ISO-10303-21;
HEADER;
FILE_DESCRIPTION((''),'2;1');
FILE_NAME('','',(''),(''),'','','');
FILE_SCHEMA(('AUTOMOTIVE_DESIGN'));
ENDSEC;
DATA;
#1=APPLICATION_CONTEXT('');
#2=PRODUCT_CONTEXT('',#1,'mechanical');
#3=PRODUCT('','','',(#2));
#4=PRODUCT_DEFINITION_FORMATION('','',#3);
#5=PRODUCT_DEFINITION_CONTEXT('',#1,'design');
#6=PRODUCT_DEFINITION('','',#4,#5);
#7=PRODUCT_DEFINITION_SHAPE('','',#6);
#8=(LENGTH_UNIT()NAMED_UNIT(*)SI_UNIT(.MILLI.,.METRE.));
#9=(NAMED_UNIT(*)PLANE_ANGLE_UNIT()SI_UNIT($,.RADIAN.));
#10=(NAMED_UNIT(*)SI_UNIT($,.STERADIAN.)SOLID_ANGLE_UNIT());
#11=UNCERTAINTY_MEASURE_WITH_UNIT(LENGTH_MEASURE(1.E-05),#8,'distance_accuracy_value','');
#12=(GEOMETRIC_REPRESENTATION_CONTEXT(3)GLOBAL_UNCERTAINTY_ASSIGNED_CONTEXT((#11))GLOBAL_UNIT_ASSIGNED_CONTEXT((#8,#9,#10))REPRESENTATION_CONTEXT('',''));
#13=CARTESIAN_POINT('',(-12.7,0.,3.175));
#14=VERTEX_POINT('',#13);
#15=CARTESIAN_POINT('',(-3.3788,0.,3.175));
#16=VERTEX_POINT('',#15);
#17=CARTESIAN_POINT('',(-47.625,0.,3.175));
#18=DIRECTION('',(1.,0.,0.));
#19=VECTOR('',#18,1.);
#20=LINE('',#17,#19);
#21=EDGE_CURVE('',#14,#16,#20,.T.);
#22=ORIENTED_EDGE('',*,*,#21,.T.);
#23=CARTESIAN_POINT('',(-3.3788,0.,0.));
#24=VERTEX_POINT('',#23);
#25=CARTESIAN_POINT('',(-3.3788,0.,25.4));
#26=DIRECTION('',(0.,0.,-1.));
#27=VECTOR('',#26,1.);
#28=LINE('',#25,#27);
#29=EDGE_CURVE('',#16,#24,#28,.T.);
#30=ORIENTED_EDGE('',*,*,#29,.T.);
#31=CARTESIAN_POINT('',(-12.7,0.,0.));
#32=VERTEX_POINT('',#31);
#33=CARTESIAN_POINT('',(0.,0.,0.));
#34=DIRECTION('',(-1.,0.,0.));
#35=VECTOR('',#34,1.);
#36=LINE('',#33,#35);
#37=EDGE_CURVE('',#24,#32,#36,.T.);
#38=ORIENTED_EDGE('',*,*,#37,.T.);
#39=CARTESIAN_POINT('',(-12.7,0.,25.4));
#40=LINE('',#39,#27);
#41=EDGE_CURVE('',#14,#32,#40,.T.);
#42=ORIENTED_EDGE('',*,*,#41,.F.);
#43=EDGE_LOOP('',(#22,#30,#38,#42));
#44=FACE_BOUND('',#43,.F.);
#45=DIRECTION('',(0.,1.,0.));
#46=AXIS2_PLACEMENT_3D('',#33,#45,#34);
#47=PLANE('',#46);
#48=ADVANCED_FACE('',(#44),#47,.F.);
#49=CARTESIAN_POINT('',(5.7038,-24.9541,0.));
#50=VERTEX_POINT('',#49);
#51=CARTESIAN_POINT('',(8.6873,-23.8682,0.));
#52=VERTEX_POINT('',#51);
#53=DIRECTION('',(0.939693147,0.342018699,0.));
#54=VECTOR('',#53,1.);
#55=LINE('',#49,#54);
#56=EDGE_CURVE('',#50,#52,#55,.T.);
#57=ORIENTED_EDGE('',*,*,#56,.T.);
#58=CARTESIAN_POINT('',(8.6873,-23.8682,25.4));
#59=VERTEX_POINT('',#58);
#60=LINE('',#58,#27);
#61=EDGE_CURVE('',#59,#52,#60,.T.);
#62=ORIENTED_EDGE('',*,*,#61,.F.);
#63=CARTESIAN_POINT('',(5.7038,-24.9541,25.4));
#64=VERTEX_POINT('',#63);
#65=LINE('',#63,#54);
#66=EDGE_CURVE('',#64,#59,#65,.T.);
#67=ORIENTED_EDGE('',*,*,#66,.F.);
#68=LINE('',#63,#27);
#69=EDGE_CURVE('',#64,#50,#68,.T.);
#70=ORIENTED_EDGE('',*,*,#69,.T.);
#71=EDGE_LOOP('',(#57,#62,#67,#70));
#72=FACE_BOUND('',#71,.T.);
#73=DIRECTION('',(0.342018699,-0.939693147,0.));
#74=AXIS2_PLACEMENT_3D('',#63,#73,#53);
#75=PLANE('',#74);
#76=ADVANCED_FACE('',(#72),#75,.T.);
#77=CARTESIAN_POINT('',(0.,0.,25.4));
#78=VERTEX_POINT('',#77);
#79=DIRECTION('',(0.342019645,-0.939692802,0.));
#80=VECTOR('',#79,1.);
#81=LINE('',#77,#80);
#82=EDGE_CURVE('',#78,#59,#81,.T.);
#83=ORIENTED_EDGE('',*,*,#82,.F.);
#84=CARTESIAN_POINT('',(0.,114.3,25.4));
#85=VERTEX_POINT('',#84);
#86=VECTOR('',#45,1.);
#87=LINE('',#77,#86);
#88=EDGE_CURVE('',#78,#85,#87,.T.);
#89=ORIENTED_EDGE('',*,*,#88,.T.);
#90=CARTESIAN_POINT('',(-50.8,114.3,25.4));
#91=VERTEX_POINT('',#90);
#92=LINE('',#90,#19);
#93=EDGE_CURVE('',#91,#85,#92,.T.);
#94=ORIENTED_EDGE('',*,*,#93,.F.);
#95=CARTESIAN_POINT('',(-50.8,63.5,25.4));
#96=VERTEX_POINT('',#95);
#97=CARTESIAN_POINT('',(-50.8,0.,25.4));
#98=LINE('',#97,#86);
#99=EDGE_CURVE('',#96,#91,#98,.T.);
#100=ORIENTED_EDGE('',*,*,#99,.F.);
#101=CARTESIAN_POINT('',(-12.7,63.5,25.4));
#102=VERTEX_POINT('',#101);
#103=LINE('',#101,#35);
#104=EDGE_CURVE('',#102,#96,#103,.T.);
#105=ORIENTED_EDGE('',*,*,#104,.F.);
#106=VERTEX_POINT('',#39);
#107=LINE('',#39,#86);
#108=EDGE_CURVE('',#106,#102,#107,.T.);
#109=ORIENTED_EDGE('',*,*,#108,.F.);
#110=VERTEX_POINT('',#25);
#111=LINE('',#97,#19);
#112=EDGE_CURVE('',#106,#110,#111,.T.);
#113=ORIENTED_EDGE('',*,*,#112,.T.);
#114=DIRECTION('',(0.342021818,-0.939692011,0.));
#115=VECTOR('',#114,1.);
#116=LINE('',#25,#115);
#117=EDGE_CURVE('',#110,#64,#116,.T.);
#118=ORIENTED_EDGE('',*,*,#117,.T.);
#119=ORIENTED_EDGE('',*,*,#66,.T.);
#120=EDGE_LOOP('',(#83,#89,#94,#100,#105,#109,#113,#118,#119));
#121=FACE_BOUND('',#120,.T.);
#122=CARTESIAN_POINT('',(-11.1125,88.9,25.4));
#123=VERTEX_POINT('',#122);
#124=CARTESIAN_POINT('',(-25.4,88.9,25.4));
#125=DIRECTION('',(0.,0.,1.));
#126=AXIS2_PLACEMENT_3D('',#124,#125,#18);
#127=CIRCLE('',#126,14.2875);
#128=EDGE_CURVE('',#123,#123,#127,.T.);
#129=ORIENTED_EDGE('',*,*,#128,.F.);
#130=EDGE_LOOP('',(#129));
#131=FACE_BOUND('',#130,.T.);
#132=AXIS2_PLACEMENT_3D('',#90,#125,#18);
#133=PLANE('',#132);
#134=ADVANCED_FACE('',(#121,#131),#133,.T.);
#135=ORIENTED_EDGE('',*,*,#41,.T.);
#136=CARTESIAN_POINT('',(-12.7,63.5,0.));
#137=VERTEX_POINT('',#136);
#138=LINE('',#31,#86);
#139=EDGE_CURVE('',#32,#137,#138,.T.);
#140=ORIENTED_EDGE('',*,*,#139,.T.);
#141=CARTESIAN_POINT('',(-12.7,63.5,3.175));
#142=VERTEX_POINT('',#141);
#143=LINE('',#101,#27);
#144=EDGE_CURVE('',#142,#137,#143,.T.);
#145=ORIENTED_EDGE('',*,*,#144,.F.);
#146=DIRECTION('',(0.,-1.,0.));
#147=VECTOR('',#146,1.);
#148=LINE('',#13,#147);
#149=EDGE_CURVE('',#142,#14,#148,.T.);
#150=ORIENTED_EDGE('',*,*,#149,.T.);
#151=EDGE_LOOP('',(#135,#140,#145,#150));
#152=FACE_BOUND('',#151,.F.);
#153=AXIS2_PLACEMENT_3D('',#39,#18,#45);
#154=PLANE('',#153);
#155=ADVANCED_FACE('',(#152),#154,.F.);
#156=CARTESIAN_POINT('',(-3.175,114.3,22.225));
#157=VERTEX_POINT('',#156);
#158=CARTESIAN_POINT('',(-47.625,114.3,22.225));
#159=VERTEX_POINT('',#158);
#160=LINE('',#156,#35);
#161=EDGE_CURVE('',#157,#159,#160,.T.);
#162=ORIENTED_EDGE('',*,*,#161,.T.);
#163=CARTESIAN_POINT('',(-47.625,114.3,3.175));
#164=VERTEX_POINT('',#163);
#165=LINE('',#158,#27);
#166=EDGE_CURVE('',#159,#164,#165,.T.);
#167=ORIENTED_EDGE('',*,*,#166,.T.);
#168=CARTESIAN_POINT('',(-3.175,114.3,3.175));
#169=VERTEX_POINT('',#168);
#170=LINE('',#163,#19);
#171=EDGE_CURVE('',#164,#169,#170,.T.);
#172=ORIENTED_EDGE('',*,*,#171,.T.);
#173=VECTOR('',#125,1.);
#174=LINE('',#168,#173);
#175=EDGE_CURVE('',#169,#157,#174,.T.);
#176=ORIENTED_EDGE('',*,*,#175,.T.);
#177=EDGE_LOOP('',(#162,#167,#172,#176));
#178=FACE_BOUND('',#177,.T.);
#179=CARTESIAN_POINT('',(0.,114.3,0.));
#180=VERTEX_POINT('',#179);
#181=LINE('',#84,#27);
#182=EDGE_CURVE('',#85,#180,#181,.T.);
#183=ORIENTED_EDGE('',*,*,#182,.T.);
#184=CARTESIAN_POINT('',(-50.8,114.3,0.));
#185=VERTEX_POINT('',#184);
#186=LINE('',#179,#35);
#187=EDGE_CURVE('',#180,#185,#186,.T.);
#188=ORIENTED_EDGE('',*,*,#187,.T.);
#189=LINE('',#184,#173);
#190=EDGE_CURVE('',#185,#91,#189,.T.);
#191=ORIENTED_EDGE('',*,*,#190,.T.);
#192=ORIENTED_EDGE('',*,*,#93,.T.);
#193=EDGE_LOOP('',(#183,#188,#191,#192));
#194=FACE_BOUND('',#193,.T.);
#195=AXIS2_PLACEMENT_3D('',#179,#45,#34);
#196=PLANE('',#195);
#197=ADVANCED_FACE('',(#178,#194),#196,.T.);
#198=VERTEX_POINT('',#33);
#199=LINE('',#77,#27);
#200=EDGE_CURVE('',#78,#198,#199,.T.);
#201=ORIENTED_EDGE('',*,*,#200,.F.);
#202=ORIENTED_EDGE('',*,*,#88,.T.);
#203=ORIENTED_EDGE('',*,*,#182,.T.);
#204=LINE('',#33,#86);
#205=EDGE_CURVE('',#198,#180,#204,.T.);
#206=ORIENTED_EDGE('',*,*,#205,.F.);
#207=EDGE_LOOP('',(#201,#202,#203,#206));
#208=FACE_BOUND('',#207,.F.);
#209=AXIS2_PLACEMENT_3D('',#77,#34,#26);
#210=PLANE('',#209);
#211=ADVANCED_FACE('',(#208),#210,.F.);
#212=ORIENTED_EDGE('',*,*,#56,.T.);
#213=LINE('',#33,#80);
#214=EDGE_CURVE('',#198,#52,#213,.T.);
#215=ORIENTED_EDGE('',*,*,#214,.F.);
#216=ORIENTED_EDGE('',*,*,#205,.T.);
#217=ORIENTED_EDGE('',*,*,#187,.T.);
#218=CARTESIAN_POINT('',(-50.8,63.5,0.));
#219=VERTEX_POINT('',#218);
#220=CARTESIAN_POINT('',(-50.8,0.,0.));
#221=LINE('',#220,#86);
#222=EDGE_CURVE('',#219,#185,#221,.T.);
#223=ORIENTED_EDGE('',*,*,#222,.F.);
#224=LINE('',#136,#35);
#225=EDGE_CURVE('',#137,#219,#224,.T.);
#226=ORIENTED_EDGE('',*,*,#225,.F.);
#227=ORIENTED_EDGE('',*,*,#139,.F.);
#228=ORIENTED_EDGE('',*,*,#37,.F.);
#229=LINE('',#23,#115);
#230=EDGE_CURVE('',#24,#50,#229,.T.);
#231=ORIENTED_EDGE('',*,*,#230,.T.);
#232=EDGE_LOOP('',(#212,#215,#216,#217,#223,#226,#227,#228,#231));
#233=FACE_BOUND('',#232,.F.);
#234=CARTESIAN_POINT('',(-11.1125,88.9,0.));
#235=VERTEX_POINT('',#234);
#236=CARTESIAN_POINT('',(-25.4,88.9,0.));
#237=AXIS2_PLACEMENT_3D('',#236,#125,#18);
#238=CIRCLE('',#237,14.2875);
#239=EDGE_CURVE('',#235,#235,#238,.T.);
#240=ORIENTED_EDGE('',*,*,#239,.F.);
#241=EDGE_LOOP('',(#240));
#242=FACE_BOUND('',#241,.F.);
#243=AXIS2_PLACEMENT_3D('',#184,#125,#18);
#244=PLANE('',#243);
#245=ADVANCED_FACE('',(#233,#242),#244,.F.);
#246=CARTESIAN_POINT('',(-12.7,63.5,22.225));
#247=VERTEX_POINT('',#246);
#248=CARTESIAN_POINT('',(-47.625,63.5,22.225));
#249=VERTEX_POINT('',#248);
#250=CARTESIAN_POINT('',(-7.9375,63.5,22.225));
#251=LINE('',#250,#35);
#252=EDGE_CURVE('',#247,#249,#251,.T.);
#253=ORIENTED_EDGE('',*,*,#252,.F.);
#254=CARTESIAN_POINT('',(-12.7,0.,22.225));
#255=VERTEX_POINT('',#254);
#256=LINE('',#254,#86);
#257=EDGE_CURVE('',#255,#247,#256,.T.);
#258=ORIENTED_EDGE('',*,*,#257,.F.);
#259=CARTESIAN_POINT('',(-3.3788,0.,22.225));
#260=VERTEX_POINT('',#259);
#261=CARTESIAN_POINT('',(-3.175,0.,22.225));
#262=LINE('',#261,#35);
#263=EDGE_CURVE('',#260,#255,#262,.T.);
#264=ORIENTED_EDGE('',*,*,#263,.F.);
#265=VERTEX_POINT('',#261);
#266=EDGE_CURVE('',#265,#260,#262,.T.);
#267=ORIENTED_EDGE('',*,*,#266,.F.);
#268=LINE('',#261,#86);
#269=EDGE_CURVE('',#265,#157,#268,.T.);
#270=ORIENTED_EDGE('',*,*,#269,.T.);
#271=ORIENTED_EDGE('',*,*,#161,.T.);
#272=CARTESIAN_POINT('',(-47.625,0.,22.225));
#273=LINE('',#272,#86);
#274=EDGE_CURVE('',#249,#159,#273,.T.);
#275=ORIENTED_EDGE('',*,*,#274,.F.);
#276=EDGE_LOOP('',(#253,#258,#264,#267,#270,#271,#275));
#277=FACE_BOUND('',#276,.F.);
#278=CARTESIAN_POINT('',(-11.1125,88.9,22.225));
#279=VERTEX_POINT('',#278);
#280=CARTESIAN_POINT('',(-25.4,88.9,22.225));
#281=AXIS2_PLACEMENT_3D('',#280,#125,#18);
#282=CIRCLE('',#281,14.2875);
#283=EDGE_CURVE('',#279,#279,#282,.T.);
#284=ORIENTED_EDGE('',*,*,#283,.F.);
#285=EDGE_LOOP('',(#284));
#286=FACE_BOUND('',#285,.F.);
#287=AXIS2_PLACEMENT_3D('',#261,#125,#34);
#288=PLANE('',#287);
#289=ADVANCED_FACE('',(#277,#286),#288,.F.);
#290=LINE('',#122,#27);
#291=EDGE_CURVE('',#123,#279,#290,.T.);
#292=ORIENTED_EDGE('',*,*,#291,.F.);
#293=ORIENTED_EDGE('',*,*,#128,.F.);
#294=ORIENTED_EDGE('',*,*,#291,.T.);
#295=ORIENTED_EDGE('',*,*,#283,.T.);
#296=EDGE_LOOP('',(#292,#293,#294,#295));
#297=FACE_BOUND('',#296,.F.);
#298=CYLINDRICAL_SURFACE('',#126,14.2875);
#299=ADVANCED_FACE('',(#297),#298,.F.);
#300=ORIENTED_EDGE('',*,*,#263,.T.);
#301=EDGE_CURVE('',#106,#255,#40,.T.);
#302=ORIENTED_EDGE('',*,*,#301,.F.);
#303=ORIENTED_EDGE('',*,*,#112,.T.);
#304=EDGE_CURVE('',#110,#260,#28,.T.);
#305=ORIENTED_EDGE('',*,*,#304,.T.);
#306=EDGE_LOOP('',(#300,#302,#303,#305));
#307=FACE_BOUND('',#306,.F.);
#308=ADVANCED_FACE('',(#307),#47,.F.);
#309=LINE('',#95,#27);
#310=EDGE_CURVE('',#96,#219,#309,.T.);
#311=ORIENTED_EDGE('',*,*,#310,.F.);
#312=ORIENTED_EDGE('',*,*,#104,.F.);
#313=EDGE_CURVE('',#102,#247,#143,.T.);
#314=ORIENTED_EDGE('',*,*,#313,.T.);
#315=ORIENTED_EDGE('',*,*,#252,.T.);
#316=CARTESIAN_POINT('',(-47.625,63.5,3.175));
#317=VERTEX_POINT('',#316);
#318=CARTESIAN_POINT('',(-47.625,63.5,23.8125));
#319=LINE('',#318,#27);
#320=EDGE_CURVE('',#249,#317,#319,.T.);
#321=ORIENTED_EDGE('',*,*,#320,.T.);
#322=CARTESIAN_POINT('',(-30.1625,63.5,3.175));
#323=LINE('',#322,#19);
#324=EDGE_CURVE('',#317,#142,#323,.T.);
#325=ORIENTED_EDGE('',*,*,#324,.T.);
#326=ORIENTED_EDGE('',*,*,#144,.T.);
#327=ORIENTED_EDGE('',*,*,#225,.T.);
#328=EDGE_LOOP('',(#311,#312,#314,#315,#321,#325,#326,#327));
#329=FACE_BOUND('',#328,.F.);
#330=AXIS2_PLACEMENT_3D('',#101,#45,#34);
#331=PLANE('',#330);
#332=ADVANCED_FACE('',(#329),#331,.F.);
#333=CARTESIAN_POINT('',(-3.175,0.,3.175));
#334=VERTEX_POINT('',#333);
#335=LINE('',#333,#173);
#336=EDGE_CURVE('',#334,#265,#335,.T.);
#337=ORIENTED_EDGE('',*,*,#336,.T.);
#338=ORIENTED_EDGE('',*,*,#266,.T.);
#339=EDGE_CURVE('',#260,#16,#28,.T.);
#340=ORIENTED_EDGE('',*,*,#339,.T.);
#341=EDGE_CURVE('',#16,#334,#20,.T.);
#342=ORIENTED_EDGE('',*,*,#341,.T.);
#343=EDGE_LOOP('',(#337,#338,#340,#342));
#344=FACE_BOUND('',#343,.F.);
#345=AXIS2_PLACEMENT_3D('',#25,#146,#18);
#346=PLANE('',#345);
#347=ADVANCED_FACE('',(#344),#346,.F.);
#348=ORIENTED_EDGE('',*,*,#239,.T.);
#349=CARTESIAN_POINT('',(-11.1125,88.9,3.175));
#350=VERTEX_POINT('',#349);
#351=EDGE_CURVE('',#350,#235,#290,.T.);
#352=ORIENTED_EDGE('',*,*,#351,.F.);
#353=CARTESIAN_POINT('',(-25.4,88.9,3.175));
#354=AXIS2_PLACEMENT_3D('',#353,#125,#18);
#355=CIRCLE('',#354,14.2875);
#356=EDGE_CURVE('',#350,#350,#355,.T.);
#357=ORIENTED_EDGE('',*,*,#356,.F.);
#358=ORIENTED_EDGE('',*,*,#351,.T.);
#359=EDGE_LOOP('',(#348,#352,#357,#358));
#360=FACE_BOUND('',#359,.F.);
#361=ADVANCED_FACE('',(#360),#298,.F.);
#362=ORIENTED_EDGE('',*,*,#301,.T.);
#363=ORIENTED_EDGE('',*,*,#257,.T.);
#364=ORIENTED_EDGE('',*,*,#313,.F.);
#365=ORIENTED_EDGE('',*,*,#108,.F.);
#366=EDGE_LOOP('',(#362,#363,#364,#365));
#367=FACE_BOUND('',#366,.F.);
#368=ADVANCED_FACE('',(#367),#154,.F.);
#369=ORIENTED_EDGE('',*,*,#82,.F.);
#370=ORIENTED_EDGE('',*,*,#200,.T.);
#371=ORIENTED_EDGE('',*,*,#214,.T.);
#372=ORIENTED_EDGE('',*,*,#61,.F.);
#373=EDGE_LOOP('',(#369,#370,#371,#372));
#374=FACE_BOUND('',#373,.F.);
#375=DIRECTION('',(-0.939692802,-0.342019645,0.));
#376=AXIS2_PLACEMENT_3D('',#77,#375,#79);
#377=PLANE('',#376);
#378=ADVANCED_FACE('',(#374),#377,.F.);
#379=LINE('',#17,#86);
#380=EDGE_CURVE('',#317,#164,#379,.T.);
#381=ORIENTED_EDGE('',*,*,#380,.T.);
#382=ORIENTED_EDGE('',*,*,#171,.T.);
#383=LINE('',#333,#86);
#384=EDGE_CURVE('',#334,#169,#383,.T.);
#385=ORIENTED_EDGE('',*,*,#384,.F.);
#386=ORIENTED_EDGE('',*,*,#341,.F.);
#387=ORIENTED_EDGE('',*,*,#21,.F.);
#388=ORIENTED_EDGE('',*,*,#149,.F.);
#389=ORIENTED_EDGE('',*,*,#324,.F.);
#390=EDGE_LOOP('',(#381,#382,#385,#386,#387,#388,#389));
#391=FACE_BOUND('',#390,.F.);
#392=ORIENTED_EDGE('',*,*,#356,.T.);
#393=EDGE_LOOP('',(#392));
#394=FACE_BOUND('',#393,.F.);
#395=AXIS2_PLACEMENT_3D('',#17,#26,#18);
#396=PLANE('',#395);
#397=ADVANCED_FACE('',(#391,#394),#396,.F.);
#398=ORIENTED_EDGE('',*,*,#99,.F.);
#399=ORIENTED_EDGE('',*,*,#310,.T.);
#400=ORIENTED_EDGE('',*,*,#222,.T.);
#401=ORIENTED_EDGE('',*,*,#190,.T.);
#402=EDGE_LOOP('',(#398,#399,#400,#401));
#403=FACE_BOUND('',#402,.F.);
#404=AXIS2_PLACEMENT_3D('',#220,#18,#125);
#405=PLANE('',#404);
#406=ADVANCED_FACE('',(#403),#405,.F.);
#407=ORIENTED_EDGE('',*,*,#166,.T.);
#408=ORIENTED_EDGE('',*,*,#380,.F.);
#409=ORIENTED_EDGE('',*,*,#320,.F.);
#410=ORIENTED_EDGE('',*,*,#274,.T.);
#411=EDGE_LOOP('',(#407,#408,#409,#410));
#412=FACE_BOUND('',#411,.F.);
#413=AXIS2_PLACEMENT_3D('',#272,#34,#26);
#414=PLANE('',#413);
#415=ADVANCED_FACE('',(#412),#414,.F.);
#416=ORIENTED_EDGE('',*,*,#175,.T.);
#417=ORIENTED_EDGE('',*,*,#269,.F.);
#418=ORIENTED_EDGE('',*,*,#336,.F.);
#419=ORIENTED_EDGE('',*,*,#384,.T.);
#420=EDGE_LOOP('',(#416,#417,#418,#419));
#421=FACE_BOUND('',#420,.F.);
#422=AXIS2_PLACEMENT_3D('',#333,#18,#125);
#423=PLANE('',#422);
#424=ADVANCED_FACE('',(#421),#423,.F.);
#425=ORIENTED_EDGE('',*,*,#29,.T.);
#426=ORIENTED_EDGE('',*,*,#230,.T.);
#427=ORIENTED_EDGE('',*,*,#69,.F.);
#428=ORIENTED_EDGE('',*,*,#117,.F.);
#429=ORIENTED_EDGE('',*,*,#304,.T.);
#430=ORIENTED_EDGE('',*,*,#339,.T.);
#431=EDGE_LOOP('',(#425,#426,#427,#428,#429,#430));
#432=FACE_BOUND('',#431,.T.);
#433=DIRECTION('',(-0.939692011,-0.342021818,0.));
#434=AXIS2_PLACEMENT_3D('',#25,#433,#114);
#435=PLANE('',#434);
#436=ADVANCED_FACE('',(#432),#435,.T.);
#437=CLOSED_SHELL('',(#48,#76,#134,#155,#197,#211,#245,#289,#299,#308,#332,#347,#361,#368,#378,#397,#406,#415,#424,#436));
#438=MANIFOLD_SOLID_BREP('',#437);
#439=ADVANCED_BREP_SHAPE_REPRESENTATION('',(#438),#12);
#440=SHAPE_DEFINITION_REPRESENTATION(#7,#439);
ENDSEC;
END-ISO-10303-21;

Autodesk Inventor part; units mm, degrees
ref_plane "YZ Plane" through (0, 0, 0) normal (1, 0, 0) x (0, 1, 0)
ref_plane "XZ Plane" through (0, 0, 0) normal (0, 1, 0) x (-1, 0, 0)
ref_plane "XY Plane" through (0, 0, 0) normal (0, 0, 1) x (1, 0, 0)
sketch "Sketch1" plane through (0, 0, 0) normal (0, 1, 0) x (-1, 0, 0)
  line L0 (0, 0) -> (50.8, 0)
  line L1 (50.8, 0) -> (50.8, 25.4)
  line L2 (50.8, 25.4) -> (0, 25.4)
  line L3 (0, 25.4) -> (0, 0)
  line L4 (47.625, 3.175) -> (3.175, 3.175)
  line L5 (3.175, 3.175) -> (3.175, 22.225)
  line L6 (3.175, 22.225) -> (47.625, 22.225)
  line L7 (47.625, 22.225) -> (47.625, 3.175)
  dimension "d0" = 50.8
  dimension "d1" = 25.4
  dimension "d2" = 3.175
extrude "Extrusion1" add sketch "Sketch1" along normal blind 114.3
sketch "Sketch2" plane through (-50.8, 0, 25.4) normal (0, 0, 1) x (1, 0, 0)
  line L0 (0, 0) -> (38.1, 0)
  line L1 (38.1, 0) -> (38.1, 63.5)
  line L2 (38.1, 63.5) -> (0, 63.5)
  line L3 (0, 63.5) -> (0, 0)
  line L4 (0, 0) -> (50.8, 0) projected
  line L5 (0, 0) -> (0, 114.3) projected
  dimension "d5" = 38.1
  dimension "d6" = 63.5
extrude "Extrusion2" cut sketch "Sketch2" against normal blind 25.4
sketch "Sketch3" plane through (-50.8, 114.3, 25.4) normal (0, 0, 1) x (1, 0, 0)
  circle A0 centre (25.4, -25.4) radius 14.2875
  line L0 (0, 0) -> (50.8, 0) projected
  line L1 (0, -50.8) -> (0, 0) projected
  point P0 (50.8, -114.3)
  dimension "d9" = 28.575
  dimension "d10" = 25.4
  dimension "d11" = 25.4
extrude "Extrusion3" cut sketch "Sketch3" against normal blind 25.4
sketch "Sketch4" plane through (-50.8, 114.3, 25.4) normal (0, 0, 1) x (1, 0, 0)
  line L0 (50.8, -114.3) -> (59.4873, -138.1682)
  line L1 (47.4212, -114.3) -> (56.5038, -139.2541)
  line L2 (56.5038, -139.2541) -> (59.4873, -138.1682)
  line L3 (38.1, -114.3) -> (50.8, -114.3) projected
  line L4 (50.8, -114.3) -> (47.4212, -114.3)
  dimension "d14" = 25.4
  dimension "d15" = 3.175
  dimension "d16" = 110
extrude "Extrusion4" add sketch "Sketch4" against normal blind 25.4
properties part number "thumb block" material "Aluminum 6061"
